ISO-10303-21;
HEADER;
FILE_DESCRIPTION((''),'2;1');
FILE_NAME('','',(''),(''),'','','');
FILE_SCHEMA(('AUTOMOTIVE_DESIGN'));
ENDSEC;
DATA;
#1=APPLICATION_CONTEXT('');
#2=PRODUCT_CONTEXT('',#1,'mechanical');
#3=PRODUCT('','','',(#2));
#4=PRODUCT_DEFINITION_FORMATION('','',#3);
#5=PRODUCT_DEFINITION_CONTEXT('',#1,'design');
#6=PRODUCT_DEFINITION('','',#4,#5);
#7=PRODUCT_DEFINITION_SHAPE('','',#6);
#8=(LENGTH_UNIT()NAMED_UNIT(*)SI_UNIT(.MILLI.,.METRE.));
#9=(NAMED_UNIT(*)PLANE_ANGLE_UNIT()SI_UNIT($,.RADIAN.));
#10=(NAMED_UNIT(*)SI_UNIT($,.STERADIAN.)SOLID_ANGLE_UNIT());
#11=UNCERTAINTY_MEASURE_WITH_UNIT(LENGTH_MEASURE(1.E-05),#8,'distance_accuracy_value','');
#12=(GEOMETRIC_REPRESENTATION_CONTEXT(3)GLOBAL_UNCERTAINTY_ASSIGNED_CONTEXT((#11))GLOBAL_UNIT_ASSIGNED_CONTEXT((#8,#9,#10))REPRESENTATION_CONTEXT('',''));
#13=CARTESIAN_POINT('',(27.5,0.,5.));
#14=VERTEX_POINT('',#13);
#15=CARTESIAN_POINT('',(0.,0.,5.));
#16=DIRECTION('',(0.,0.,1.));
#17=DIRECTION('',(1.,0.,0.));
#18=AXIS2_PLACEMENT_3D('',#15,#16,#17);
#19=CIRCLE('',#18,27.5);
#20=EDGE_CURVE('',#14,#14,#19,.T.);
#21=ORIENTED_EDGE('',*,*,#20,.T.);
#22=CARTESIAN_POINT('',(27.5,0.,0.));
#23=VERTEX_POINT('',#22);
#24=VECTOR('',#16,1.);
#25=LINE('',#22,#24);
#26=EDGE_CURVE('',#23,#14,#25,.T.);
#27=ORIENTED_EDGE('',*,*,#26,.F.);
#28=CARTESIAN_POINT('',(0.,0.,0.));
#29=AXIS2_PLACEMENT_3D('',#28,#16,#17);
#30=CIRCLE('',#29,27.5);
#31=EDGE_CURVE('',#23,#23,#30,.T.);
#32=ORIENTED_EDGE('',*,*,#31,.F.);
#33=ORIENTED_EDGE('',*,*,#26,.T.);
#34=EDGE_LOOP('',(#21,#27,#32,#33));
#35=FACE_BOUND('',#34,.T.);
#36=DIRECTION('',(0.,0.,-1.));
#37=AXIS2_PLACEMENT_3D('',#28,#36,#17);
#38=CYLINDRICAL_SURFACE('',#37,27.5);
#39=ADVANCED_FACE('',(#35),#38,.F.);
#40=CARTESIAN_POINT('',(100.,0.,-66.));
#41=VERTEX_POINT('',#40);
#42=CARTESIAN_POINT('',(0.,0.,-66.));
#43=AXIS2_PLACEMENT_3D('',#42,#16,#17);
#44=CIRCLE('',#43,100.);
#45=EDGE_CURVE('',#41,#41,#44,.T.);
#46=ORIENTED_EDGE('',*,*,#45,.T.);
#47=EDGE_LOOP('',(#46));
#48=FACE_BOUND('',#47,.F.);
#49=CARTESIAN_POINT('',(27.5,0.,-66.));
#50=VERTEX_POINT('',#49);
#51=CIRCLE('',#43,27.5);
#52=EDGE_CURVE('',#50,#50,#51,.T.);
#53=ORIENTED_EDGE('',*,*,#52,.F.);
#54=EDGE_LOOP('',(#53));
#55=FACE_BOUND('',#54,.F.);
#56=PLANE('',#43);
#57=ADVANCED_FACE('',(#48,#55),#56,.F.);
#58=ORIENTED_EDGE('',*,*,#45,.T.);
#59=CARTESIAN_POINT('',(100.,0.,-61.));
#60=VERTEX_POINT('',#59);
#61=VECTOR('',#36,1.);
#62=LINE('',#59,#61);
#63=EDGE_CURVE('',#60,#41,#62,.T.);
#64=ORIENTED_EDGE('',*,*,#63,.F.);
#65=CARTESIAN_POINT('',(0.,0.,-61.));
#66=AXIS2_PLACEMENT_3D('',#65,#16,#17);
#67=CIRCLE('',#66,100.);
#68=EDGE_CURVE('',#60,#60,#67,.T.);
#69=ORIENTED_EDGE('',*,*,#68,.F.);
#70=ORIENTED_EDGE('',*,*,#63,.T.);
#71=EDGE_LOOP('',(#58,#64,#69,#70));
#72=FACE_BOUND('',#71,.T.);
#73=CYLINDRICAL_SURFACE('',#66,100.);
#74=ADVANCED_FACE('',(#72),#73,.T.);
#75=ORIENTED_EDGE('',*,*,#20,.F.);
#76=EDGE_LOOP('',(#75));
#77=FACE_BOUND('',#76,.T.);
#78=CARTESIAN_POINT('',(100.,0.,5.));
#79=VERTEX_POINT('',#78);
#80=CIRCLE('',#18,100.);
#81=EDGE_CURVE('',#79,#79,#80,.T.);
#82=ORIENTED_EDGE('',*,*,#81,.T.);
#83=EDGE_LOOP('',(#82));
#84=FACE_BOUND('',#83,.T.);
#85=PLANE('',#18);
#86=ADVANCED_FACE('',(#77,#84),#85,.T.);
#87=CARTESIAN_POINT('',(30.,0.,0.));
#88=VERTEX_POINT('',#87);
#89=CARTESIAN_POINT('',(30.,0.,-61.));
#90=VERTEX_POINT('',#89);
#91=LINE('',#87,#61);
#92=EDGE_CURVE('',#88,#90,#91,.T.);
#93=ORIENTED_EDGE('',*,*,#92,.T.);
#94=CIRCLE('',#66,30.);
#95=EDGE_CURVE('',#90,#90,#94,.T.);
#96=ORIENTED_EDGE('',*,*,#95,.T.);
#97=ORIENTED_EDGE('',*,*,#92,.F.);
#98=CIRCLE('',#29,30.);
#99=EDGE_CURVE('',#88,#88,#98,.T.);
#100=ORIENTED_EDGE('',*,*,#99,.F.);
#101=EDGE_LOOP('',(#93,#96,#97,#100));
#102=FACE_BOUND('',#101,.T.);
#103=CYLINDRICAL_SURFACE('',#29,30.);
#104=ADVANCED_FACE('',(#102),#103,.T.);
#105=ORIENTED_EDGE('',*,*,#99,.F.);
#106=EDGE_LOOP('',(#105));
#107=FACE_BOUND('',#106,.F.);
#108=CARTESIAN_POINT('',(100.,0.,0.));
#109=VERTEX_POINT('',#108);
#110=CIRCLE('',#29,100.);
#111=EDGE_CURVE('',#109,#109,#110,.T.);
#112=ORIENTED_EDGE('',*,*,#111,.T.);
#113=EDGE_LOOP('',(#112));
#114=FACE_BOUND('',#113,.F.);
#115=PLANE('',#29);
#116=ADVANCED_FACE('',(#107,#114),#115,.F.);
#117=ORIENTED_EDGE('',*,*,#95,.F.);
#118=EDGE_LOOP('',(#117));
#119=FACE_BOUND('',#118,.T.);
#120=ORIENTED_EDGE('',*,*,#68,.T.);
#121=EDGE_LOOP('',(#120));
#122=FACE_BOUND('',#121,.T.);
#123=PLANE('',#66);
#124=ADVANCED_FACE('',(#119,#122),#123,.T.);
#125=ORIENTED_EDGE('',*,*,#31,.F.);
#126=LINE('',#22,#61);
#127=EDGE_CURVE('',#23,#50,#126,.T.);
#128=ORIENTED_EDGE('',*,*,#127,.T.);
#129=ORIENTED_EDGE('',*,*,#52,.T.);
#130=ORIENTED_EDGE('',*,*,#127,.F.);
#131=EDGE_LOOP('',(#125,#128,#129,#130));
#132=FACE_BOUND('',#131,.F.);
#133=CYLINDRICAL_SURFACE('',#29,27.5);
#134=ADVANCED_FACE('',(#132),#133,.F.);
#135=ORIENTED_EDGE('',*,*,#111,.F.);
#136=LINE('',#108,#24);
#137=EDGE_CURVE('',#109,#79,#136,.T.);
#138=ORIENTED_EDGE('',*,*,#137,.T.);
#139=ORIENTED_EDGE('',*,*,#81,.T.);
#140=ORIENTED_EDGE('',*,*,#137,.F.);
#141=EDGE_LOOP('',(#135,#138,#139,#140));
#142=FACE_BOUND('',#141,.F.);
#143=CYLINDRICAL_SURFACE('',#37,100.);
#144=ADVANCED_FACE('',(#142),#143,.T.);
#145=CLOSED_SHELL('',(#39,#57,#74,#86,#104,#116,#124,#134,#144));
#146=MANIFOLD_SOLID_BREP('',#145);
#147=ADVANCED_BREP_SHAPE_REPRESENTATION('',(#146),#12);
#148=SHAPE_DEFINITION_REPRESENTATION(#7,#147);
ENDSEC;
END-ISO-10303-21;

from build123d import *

# Parameters (mm, degrees)
F0_R          = 100
F0_R_2        = 30
F1_DEPTH      = 5
F0_R_3        = 27.5
F2_DEPTH      = 5
F2_DEPTH_BACK = 66
F3_START      = -61
F3_DEPTH      = 5


with BuildPart() as f1:
    # F0 (on Top) → F1 (new body)
    with BuildSketch(Plane.XY):
        Circle(F0_R)
        Circle(F0_R_2, mode=Mode.SUBTRACT)
    extrude(amount=F1_DEPTH)

    # F0 (on Top) → F2 (join, two sides)
    with BuildSketch(Plane.XY) as f2_sk:
        Circle(F0_R_2)
        Circle(F0_R_3, mode=Mode.SUBTRACT)
    extrude(amount=F2_DEPTH)
    extrude(f2_sk.sketch, amount=-F2_DEPTH_BACK)

    # F0 (on Top) → F3 (join)
    with BuildSketch(Plane.XY.offset(F3_START)):
        Circle(F0_R)
        Circle(F0_R_2, mode=Mode.SUBTRACT)
    extrude(amount=-F3_DEPTH)


solid = f1.part
